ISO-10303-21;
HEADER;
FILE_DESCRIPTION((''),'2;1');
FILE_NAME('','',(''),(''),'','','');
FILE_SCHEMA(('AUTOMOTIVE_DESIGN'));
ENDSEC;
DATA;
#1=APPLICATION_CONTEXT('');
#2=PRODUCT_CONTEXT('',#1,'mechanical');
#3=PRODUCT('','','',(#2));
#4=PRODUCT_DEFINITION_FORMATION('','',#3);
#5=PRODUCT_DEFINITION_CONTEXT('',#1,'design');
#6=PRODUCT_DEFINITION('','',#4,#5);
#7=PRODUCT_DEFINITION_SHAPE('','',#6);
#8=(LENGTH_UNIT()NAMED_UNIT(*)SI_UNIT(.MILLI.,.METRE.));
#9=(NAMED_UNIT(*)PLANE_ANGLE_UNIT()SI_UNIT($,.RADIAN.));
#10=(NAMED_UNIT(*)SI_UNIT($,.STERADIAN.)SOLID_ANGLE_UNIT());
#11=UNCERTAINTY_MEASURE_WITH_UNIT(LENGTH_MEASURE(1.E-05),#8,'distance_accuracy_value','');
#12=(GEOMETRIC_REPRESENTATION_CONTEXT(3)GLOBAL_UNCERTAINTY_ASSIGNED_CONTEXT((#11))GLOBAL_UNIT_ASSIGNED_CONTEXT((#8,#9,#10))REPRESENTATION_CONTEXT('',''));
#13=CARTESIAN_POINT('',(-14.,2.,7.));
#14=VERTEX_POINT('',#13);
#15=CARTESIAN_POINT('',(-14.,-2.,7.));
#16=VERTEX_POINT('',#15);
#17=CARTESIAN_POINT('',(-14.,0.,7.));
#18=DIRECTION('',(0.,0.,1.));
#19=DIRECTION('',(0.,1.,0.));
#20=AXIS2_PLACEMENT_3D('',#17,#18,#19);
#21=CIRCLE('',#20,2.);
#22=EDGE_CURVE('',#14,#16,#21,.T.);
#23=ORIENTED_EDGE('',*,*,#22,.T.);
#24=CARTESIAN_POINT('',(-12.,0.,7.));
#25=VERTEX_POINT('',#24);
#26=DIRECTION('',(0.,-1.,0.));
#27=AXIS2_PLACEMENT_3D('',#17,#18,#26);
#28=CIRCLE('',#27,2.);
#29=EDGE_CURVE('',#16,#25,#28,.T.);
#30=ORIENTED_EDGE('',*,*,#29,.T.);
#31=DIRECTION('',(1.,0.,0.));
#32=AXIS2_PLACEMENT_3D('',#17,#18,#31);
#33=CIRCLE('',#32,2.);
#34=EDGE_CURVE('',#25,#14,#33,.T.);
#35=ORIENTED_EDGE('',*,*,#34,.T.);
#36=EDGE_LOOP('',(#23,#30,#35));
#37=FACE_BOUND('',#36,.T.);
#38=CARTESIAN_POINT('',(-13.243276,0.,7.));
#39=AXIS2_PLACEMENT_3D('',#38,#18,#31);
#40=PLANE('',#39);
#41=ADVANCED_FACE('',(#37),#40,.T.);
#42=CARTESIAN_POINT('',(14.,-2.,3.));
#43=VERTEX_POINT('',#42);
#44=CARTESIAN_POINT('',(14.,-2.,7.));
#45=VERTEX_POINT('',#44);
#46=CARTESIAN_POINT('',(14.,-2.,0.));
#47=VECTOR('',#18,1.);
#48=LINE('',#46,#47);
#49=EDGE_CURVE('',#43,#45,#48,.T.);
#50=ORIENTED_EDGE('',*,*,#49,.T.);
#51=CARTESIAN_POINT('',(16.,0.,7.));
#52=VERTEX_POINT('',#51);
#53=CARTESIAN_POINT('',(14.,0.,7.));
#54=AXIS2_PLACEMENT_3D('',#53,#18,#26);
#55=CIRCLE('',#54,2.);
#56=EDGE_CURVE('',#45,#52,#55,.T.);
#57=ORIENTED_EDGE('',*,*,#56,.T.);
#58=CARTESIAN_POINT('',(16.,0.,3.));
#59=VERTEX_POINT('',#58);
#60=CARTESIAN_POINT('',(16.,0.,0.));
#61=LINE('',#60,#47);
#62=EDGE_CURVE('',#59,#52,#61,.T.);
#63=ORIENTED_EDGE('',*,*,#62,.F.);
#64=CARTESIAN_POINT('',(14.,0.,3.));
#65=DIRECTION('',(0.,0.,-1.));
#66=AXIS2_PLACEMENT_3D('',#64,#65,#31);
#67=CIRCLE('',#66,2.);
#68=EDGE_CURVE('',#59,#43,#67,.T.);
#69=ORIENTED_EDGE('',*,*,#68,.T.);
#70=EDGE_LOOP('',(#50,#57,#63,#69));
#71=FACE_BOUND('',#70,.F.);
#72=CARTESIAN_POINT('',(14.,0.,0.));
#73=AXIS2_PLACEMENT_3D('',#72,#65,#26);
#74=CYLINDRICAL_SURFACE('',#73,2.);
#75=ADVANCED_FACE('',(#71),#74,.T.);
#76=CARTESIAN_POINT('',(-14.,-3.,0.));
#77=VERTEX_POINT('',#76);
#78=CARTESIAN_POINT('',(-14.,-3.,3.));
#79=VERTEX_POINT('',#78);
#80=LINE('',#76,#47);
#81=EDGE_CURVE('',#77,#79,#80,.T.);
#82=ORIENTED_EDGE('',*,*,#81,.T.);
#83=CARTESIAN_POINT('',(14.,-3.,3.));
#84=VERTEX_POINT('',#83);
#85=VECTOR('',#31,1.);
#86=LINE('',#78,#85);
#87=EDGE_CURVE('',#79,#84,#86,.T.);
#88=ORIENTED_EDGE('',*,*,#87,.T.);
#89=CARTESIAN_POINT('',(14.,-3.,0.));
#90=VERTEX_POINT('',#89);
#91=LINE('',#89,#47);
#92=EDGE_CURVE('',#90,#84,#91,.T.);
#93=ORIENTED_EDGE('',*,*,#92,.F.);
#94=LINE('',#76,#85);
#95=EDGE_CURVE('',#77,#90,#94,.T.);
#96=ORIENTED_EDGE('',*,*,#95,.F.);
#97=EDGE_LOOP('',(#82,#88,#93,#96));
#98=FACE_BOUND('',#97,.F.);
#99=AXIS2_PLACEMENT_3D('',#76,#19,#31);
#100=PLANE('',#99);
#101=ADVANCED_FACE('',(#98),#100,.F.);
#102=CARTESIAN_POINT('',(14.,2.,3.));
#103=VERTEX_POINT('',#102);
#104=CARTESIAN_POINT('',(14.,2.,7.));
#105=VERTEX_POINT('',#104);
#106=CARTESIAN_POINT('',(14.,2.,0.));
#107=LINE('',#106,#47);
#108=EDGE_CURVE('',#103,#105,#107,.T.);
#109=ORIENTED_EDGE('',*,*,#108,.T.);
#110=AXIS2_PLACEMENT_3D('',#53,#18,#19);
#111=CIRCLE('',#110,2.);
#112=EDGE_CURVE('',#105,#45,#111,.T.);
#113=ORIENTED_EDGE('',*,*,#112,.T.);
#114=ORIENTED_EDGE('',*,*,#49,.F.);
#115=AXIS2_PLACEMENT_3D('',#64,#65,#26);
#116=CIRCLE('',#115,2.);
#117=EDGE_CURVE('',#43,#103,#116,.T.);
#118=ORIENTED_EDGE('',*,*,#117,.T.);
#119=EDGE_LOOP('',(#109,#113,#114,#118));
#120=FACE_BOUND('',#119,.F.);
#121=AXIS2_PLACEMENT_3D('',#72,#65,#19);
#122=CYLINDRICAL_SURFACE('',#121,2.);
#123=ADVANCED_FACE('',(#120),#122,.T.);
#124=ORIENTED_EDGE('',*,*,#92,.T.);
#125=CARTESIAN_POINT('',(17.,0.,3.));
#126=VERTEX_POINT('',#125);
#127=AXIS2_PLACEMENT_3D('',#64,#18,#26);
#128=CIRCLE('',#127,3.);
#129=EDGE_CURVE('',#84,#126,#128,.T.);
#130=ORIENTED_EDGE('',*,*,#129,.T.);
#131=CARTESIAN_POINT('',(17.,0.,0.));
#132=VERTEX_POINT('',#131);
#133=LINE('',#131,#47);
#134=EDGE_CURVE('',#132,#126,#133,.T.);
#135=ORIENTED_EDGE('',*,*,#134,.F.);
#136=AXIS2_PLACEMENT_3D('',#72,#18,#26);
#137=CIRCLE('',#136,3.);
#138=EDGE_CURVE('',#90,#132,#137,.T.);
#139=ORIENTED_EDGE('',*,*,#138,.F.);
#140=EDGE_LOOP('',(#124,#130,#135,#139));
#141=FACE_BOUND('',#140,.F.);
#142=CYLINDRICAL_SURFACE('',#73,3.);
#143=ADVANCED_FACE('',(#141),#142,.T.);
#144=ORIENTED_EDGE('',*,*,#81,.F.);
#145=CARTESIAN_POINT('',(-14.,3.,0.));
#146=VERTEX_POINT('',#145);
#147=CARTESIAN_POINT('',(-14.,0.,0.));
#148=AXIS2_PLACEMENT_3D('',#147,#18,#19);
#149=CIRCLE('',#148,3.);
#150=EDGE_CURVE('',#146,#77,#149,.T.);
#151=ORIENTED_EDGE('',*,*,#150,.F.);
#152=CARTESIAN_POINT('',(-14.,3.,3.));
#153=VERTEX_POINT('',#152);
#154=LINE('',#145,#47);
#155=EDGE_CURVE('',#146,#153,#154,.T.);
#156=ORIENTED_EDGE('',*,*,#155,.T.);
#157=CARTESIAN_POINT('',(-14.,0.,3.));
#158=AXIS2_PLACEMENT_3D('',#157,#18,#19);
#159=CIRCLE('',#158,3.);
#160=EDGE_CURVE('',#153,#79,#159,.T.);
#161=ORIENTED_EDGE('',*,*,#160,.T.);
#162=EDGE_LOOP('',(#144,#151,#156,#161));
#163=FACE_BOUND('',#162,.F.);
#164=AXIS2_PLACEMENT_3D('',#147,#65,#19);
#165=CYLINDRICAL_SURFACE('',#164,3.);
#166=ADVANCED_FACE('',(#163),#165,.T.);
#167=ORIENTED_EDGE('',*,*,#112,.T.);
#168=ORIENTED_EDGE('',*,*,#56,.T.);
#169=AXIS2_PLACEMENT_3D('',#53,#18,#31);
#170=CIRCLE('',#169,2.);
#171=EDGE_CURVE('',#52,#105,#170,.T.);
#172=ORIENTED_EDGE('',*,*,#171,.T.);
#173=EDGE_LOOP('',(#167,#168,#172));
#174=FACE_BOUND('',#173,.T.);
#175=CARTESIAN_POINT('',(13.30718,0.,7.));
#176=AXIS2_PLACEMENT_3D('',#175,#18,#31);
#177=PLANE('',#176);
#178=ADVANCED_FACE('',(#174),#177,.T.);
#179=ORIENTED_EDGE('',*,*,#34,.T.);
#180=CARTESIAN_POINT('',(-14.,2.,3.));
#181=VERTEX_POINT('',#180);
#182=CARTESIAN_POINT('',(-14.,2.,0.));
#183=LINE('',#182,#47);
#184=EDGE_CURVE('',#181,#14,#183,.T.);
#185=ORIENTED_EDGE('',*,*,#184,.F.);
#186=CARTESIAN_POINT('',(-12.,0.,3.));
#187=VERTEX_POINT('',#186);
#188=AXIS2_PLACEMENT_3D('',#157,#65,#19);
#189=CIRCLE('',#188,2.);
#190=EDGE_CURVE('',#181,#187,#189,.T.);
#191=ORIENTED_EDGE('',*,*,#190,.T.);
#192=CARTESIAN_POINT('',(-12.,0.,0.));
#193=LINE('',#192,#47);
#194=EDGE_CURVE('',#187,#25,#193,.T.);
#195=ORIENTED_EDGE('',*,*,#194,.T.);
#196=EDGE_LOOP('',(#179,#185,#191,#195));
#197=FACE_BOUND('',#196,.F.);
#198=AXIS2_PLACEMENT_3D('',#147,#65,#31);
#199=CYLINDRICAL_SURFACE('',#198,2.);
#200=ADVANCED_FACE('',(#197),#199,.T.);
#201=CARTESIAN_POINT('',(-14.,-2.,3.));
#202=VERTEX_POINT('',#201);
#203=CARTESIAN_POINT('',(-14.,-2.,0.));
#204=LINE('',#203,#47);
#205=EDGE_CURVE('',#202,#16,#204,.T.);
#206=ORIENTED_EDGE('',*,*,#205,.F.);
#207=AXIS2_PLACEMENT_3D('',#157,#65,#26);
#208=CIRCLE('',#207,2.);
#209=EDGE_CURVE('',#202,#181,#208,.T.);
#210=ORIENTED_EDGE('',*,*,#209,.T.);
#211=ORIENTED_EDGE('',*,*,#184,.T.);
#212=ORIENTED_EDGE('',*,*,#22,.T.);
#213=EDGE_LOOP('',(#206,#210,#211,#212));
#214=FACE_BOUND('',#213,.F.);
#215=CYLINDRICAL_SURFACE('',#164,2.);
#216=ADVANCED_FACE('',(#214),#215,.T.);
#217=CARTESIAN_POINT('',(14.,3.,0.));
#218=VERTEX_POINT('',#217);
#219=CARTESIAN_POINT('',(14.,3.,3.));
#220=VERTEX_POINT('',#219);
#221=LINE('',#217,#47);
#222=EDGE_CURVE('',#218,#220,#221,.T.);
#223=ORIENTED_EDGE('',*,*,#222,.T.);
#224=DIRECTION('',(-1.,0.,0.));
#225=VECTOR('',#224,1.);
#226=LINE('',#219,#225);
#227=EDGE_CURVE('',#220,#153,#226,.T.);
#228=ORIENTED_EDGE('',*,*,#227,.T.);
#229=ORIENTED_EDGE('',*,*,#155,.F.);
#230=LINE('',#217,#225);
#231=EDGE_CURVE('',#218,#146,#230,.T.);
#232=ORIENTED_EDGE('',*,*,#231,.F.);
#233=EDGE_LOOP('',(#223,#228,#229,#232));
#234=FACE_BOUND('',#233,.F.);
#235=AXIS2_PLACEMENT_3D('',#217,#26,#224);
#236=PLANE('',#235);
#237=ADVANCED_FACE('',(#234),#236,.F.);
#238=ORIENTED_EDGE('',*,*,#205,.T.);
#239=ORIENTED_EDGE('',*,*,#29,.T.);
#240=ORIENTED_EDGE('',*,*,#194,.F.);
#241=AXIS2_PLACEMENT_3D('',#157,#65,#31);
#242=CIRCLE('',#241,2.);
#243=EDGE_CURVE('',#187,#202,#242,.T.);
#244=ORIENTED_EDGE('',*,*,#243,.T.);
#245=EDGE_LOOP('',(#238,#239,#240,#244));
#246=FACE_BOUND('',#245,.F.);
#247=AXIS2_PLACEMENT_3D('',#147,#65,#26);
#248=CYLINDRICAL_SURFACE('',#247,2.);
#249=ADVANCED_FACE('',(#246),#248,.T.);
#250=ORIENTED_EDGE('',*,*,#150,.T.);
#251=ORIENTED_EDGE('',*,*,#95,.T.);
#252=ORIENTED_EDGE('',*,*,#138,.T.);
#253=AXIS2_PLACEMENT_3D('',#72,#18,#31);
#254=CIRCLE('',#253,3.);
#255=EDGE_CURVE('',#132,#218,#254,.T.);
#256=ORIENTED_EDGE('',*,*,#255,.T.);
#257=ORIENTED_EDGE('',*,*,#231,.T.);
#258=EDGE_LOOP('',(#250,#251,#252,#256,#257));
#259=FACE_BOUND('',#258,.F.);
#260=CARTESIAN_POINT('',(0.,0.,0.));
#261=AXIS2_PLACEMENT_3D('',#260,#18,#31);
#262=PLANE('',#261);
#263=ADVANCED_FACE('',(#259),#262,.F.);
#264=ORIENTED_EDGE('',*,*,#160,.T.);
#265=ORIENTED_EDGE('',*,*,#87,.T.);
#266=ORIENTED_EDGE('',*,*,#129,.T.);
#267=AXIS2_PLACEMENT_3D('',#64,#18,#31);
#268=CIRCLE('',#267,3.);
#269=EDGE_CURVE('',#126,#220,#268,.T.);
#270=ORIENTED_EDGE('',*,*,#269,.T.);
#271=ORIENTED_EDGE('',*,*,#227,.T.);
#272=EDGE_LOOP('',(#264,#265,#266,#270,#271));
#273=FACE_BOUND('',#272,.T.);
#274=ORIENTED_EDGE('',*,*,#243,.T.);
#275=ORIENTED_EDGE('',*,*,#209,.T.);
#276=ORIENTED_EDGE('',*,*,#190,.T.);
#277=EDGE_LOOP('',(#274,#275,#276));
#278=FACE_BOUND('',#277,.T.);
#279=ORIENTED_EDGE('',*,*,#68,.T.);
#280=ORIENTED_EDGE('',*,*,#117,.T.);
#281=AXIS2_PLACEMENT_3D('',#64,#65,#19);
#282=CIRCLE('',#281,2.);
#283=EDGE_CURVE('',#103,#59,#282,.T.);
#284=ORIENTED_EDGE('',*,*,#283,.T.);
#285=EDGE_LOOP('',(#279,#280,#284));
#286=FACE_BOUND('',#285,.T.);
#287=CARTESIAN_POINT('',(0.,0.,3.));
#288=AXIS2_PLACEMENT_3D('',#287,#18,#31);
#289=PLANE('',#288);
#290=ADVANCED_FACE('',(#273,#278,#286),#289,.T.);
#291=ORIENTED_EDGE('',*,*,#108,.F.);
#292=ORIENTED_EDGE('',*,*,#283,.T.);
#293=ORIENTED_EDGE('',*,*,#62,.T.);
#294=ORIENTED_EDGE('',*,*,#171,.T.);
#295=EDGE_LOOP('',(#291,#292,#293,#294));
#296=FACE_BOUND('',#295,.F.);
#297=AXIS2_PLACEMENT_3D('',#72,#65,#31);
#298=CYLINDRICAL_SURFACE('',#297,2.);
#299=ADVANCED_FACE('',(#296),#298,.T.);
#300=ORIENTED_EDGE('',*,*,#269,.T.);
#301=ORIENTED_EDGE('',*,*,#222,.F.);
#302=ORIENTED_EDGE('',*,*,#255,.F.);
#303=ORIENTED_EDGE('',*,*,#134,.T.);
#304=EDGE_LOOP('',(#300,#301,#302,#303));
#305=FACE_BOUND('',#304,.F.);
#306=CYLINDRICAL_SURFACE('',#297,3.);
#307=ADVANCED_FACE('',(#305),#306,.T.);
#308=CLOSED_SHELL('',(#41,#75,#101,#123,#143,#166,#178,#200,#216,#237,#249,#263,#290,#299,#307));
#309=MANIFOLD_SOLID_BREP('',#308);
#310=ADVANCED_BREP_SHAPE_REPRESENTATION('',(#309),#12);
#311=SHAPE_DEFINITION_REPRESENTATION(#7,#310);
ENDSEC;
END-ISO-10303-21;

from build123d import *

# Parameters (mm, degrees)
F0_W     = 4
F0_H     = 6
F1_DEPTH = 3
F2_DEPTH = 7


with BuildPart() as f1:
    # F0 (on Top) → F1 (new body)
    with BuildSketch(Plane.XY):
        Rectangle(F0_W, F0_H)
        with BuildLine():
            Line((14, 3), (2, 3))
            Line((2, 3), (2, -3))
            Line((2, -3), (14, -3))
            ThreePointArc((14, -3), (11, 0), (14, 3))
        make_face()
        with BuildLine():
            Line((-2, -3), (-2, 3))
            Line((-2, 3), (-14, 3))
            ThreePointArc((-14, 3), (-11.8786796564, 2.1213203436), (-11, 0))
            ThreePointArc((-11, 0), (-11.8786796564, -2.1213203436), (-14, -3))
            Line((-14, -3), (-2, -3))
        make_face()
        with BuildLine():
            ThreePointArc((17, 0), (16.1213203436, 2.1213203436), (14, 3))
            Line((14, 3), (14, 2))
            ThreePointArc((14, 2), (15.4142135624, 1.4142135624), (16, 0))
            ThreePointArc((16, 0), (15.4142135624, -1.4142135624), (14, -2))
            Line((14, -2), (14, -3))
            ThreePointArc((14, -3), (16.1213203436, -2.1213203436), (17, 0))
        make_face()
        with BuildLine():
            Line((14, 2), (14, 3))
            ThreePointArc((14, 3), (11, 0), (14, -3))
            Line((14, -3), (14, -2))
            ThreePointArc((14, -2), (12, 0), (14, 2))
        make_face()
        with BuildLine():
            ThreePointArc((-11, 0), (-11.8786796564, 2.1213203436), (-14, 3))
            Line((-14, 3), (-14, 2))
            ThreePointArc((-14, 2), (-12.5857864376, 1.4142135624), (-12, 0))
            ThreePointArc((-12, 0), (-12.5857864376, -1.4142135624), (-14, -2))
            Line((-14, -2), (-14, -3))
            ThreePointArc((-14, -3), (-11.8786796564, -2.1213203436), (-11, 0))
        make_face()
        with BuildLine():
            Line((-14, 2), (-14, 3))
            ThreePointArc((-14, 3), (-17, 0), (-14, -3))
            Line((-14, -3), (-14, -2))
            ThreePointArc((-14, -2), (-16, 0), (-14, 2))
        make_face()
    extrude(amount=F1_DEPTH)

    # F0 (on Top) → F2 (join)
    with BuildSketch(Plane.XY):
        with BuildLine():
            Line((14, -2), (14, 2))
            ThreePointArc((14, 2), (12, 0), (14, -2))
        make_face()
        with BuildLine():
            ThreePointArc((16, 0), (15.4142135624, 1.4142135624), (14, 2))
            Line((14, 2), (14, -2))
            ThreePointArc((14, -2), (15.4142135624, -1.4142135624), (16, 0))
        make_face()
        with BuildLine():
            ThreePointArc((-12, 0), (-12.5857864376, 1.4142135624), (-14, 2))
            Line((-14, 2), (-14, -2))
            ThreePointArc((-14, -2), (-12.5857864376, -1.4142135624), (-12, 0))
        make_face()
        with BuildLine():
            Line((-14, -2), (-14, 2))
            ThreePointArc((-14, 2), (-16, 0), (-14, -2))
        make_face()
    extrude(amount=F2_DEPTH)


solid = f1.part
